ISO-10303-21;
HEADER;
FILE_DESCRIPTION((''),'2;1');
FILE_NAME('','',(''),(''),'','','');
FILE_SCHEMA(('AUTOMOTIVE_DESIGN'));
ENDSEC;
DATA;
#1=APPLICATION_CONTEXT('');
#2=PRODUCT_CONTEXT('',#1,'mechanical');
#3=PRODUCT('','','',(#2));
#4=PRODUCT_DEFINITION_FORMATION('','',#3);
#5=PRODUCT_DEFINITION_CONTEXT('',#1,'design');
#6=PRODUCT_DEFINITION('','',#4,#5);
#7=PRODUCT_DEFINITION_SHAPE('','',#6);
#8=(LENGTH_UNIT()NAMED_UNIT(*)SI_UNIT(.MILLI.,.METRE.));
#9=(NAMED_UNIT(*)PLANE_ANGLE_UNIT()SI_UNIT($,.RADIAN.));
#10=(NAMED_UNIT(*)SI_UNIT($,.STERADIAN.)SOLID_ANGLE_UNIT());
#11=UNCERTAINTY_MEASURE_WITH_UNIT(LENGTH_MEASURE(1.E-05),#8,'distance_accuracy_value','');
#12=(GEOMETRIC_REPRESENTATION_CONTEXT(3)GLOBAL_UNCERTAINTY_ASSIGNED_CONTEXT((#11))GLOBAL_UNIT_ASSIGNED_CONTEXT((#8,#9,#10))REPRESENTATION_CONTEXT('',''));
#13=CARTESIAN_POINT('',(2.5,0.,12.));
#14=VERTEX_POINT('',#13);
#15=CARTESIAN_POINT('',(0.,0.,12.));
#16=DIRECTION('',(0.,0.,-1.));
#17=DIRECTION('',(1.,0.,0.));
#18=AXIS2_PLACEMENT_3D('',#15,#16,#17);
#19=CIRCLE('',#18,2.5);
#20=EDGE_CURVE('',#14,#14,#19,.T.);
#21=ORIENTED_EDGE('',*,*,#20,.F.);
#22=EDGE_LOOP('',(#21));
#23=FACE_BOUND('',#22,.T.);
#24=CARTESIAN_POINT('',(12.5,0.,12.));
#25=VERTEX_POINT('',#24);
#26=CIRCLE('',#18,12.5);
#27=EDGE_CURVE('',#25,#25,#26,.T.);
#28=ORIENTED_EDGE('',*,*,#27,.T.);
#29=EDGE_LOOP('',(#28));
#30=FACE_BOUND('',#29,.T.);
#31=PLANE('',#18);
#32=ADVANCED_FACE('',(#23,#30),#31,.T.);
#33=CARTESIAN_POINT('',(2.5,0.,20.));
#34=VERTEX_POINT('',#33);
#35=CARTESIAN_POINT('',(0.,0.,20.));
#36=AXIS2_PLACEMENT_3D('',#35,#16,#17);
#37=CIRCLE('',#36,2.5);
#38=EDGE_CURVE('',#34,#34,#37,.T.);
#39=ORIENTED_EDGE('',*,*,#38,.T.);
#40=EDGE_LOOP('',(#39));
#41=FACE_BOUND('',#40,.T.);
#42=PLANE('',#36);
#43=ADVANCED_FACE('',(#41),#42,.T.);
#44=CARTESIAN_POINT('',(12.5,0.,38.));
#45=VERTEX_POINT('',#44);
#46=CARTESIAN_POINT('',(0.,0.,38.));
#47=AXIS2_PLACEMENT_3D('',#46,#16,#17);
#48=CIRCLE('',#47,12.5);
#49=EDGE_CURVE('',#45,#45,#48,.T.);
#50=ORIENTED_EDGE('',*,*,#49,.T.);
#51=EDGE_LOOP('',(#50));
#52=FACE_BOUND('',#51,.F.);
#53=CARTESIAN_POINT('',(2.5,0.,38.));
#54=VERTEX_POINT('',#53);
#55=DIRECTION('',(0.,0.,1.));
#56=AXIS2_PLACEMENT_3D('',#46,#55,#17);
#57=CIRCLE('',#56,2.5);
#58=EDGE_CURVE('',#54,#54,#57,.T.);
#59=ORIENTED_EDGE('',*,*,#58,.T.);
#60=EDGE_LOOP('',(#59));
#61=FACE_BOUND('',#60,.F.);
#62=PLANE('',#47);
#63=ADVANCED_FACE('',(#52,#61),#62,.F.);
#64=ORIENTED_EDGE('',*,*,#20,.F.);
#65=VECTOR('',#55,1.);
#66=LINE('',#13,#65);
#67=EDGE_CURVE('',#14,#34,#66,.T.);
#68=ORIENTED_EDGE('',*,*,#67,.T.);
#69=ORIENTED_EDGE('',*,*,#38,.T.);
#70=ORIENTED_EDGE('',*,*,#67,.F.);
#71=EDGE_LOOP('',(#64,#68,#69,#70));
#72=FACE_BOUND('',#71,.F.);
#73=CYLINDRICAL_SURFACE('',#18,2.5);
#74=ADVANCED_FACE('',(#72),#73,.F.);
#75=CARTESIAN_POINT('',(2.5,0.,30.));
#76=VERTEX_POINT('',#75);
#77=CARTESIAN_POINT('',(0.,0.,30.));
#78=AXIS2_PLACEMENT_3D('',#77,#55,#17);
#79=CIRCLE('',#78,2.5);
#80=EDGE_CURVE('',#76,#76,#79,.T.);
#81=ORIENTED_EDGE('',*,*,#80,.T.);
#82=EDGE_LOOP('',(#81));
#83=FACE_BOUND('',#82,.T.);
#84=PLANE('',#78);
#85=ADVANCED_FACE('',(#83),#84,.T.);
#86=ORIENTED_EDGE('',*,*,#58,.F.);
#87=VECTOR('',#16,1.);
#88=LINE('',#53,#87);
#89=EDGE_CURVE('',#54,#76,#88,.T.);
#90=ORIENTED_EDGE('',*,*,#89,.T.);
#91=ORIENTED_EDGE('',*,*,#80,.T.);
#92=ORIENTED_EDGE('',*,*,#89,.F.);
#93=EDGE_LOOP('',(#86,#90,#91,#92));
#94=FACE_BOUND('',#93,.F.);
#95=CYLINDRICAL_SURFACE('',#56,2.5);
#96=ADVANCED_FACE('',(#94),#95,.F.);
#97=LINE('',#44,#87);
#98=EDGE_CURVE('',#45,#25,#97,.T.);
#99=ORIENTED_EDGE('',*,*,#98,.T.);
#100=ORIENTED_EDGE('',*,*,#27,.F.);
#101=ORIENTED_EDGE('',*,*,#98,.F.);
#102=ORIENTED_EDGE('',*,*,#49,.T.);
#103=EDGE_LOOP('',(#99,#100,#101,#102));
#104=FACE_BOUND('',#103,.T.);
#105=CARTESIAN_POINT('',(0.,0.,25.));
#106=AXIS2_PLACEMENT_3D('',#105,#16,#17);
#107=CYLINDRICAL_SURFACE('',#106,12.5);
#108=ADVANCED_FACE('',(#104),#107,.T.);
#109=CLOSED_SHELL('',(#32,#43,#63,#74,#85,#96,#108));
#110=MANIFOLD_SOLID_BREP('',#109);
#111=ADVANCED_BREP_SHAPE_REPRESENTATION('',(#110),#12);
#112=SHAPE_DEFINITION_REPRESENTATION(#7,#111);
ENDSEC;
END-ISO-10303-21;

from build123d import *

# Parameters (mm, degrees)
SKETCH077_R        = 12.5
PAD036_DEPTH       = 13
SKETCH078_R        = 2.5
POCKET036_DEPTH    = 8
SKETCH073_R        = 2.5
POCKET035_DEPTH    = 8
BODY017_ROLL_ANGLE = 90


with BuildPart() as part:
    # Sketch077 → Pad036 (new body, symmetric)
    with BuildSketch(Plane.XZ):
        Circle(SKETCH077_R)
    extrude(amount=PAD036_DEPTH, both=True)

    # Sketch078 (on Face3 of Pad036) → Pocket036 (cut)
    with BuildSketch(Plane.XZ.offset(13)):
        Circle(SKETCH078_R)
    extrude(amount=-POCKET036_DEPTH, mode=Mode.SUBTRACT)

    # Sketch073 (on Face2 of Pocket036) → Pocket035 (cut)
    with BuildSketch(Plane(origin=(0, 13, 0), x_dir=(1, 0, 0), z_dir=(0, 1, 0))):
        Circle(SKETCH073_R)
    extrude(amount=-POCKET035_DEPTH, mode=Mode.SUBTRACT)


with BuildPart() as part_1:
    # Body017 roll: moved
    add(part.part.rotate(Axis((0, 0, 0), (1, 0, 0)), BODY017_ROLL_ANGLE))


with BuildPart() as part_2:
    # Body017 placement: moved
    add(part_1.part.moved(Location((0, 0, 25))))


solid = part_2.part
